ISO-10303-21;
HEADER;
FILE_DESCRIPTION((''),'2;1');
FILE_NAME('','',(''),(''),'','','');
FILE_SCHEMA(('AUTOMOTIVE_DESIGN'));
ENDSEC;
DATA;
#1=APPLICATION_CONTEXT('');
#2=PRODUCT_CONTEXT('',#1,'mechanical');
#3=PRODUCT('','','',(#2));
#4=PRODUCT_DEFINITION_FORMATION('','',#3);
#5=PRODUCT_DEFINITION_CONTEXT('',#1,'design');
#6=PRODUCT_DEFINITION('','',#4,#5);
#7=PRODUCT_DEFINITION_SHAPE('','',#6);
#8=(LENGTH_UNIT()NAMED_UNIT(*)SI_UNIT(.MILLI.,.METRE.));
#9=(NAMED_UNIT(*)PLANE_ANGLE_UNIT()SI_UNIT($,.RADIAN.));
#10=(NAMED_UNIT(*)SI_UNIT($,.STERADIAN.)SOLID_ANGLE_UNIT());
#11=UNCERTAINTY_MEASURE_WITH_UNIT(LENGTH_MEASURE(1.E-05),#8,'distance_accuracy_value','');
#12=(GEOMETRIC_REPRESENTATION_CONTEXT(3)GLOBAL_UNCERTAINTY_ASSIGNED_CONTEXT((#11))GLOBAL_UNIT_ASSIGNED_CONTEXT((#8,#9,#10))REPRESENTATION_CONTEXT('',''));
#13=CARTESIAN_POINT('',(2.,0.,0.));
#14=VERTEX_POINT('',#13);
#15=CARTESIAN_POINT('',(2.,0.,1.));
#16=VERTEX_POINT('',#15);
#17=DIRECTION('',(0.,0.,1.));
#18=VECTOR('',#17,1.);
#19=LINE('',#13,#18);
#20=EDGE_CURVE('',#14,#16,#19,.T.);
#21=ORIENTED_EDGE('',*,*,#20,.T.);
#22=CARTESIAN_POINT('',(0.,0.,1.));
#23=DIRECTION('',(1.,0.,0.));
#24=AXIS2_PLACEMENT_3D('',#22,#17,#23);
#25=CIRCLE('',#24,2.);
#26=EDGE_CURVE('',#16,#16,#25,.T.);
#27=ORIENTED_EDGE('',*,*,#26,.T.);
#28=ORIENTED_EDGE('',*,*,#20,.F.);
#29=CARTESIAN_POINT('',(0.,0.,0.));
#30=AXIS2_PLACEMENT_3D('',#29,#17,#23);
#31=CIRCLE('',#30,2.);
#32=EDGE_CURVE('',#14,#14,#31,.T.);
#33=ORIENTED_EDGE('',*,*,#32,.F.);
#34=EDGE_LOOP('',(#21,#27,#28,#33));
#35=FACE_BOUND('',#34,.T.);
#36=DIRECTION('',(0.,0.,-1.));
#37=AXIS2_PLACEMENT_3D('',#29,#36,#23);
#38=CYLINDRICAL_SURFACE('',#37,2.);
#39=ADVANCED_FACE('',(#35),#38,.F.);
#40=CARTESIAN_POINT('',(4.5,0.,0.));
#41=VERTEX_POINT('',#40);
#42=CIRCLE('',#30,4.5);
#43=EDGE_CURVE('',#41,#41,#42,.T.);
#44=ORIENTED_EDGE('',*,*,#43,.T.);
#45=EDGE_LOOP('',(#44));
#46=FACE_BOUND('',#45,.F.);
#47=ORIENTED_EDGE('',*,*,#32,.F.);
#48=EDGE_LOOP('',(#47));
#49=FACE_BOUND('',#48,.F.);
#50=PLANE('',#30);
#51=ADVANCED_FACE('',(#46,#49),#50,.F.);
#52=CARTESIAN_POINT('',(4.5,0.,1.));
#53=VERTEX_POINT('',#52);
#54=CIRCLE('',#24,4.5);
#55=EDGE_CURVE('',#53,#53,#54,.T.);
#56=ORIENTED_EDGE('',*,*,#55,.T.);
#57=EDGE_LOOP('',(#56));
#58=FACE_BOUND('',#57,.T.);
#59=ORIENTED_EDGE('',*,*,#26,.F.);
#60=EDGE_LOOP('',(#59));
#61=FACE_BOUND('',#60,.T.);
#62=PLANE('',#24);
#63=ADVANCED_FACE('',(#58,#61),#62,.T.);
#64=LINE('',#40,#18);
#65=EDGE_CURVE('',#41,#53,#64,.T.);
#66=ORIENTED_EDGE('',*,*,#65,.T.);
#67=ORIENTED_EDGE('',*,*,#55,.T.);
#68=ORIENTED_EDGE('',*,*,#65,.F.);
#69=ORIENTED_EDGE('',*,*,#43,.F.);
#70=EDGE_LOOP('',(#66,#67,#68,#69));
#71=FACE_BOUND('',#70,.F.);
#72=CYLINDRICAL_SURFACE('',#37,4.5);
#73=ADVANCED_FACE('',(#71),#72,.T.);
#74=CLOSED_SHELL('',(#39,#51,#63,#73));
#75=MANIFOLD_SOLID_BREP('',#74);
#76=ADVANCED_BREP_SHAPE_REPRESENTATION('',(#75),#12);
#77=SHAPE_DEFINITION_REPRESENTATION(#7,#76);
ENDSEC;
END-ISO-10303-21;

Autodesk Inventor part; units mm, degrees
ref_plane "YZ Plane" through (0, 0, 0) normal (1, 0, 0) x (0, 1, 0)
ref_plane "XZ Plane" through (0, 0, 0) normal (0, 1, 0) x (-1, 0, 0)
ref_plane "XY Plane" through (0, 0, 0) normal (0, 0, 1) x (1, 0, 0)
sketch "Sketch1" plane through (0, 0, 0) normal (0, 0, 1) x (1, 0, 0)
  circle A0 centre (0, 0) radius 4.5
  circle A1 centre (0, 0) radius 2
  dimension "d0" = 9
  dimension "d1" = 4
extrude "Extrusion1" add sketch "Sketch1" along normal blind 1
properties part number "washer_M3"
